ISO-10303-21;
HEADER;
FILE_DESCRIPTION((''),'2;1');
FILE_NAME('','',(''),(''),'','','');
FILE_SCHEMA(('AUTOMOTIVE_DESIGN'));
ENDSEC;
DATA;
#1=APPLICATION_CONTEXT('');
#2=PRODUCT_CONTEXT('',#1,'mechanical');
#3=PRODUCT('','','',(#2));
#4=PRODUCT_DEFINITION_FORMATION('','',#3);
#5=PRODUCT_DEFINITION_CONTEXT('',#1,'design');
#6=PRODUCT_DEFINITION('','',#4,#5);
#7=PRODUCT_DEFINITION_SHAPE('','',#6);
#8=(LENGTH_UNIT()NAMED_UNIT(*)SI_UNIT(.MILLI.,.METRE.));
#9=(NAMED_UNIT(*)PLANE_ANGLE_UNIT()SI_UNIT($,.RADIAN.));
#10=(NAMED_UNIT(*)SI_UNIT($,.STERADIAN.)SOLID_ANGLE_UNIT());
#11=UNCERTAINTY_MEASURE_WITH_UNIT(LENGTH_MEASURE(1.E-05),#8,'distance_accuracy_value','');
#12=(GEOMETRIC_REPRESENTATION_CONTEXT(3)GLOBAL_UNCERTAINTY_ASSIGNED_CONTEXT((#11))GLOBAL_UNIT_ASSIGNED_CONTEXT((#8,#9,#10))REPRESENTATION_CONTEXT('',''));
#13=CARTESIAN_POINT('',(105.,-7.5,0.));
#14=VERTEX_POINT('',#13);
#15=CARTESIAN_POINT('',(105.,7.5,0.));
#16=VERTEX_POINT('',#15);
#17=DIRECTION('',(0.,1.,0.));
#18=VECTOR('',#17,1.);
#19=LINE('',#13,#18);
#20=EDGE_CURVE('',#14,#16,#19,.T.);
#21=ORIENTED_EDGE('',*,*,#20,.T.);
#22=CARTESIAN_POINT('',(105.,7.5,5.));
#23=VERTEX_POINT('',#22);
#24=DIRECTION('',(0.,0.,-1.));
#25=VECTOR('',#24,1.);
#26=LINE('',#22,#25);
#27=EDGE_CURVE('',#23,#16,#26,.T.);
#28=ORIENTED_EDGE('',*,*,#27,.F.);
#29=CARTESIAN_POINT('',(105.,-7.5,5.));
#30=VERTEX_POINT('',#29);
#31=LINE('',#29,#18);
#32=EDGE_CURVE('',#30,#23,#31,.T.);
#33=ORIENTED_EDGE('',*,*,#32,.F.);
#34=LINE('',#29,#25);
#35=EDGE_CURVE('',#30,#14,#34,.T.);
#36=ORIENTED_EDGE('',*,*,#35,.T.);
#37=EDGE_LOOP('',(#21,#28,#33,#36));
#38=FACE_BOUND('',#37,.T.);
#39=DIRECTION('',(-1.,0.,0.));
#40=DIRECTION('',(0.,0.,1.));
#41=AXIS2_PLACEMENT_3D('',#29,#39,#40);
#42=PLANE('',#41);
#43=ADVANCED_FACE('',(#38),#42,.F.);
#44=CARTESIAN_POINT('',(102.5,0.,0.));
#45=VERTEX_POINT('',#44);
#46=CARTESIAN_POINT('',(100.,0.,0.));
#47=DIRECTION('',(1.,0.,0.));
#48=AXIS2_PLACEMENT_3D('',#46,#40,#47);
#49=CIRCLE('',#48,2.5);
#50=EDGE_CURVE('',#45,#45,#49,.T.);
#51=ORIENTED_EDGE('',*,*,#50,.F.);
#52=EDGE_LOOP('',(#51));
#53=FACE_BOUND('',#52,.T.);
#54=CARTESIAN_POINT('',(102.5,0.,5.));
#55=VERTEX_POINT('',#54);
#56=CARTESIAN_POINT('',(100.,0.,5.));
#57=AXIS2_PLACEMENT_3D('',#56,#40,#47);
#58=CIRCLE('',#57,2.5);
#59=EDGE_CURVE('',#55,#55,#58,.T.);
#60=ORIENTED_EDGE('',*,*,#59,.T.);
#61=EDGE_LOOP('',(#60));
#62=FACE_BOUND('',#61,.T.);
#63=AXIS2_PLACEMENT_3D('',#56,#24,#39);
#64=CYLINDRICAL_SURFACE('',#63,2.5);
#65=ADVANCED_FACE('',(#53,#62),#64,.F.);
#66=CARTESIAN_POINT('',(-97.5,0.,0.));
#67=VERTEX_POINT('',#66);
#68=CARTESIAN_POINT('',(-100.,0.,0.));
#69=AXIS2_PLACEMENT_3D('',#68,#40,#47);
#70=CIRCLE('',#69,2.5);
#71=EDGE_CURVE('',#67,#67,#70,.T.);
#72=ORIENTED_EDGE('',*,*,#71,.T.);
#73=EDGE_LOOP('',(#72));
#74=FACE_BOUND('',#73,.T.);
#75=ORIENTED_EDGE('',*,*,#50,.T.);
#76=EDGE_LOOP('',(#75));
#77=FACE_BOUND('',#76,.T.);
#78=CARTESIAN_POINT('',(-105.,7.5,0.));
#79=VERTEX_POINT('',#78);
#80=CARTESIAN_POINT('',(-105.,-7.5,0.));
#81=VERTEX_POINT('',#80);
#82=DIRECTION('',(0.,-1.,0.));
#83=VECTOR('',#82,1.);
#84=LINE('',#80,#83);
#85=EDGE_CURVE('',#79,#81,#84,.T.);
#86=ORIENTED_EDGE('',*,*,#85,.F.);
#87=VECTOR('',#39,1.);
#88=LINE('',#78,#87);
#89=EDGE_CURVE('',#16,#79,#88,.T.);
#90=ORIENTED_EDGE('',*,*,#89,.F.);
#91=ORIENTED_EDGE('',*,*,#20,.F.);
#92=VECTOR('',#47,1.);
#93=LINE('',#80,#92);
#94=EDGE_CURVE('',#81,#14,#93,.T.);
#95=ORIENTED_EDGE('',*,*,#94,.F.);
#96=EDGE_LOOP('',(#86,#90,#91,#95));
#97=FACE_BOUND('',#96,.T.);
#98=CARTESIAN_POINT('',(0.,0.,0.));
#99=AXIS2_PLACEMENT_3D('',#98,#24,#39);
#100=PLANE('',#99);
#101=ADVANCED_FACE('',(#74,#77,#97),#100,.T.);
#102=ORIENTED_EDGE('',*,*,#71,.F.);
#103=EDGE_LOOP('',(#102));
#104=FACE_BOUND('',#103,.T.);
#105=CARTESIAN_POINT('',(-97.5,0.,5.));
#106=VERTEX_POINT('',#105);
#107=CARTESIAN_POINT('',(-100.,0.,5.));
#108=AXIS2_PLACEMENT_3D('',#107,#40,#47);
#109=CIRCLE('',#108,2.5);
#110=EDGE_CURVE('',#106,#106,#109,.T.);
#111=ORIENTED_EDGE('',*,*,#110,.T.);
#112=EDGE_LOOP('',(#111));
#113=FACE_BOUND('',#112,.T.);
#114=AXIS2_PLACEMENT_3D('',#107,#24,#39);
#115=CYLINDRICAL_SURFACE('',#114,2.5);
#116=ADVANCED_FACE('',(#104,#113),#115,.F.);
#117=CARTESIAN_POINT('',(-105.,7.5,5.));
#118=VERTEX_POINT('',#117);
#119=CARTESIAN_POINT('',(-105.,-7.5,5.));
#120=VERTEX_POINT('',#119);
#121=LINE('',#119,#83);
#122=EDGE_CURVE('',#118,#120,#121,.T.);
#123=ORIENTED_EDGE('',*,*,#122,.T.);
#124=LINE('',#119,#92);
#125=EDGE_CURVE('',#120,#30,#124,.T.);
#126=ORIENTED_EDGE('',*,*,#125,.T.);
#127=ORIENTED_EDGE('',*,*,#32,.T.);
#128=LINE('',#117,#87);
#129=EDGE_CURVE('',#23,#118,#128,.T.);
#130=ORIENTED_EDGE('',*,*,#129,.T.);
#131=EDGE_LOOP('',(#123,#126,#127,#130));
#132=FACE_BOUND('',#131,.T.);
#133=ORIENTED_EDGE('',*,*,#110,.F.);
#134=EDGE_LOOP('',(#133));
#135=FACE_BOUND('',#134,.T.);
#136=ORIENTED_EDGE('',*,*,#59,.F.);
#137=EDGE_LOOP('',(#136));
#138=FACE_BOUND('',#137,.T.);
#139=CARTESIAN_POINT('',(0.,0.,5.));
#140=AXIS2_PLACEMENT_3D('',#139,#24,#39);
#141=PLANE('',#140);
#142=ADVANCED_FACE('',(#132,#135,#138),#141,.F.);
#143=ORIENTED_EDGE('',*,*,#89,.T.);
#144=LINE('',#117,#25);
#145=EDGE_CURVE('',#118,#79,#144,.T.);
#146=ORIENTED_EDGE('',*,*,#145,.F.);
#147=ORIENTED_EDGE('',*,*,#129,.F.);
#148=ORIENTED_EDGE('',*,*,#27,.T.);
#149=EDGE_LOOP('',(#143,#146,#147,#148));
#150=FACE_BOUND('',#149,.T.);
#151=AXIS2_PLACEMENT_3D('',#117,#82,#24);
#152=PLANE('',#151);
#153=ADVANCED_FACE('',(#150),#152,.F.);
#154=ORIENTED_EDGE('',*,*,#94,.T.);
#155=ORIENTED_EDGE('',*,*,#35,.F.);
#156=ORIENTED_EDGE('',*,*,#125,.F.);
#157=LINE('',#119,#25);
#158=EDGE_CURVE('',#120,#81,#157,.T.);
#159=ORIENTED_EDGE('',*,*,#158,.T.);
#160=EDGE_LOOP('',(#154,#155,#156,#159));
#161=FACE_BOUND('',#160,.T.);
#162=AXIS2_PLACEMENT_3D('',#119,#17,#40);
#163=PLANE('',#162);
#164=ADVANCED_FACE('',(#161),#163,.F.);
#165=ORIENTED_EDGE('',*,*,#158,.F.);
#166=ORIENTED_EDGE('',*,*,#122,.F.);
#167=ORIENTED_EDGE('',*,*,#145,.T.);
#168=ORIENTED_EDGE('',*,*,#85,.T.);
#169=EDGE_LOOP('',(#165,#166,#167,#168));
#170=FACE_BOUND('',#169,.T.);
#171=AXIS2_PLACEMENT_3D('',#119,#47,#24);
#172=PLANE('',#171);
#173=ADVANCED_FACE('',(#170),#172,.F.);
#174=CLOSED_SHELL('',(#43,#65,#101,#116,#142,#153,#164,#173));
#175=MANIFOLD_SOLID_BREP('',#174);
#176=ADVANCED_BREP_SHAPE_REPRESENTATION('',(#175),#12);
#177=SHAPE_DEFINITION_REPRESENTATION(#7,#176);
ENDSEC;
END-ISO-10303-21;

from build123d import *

# Parameters (mm, degrees)
SKETCH1_W           = 210
SKETCH1_H           = 15
SKETCH1_R           = 2.5
BOSS_EXTRUDE1_DEPTH = 5


with BuildPart() as part:
    # Sketch1 → Boss-Extrude1 (new body)
    with BuildSketch(Plane.XY):
        Rectangle(SKETCH1_W, SKETCH1_H)
        with Locations((100, 0)):
            Circle(SKETCH1_R, mode=Mode.SUBTRACT)
        with Locations((-100, 0)):
            Circle(SKETCH1_R, mode=Mode.SUBTRACT)
    extrude(amount=BOSS_EXTRUDE1_DEPTH)


solid = part.part
